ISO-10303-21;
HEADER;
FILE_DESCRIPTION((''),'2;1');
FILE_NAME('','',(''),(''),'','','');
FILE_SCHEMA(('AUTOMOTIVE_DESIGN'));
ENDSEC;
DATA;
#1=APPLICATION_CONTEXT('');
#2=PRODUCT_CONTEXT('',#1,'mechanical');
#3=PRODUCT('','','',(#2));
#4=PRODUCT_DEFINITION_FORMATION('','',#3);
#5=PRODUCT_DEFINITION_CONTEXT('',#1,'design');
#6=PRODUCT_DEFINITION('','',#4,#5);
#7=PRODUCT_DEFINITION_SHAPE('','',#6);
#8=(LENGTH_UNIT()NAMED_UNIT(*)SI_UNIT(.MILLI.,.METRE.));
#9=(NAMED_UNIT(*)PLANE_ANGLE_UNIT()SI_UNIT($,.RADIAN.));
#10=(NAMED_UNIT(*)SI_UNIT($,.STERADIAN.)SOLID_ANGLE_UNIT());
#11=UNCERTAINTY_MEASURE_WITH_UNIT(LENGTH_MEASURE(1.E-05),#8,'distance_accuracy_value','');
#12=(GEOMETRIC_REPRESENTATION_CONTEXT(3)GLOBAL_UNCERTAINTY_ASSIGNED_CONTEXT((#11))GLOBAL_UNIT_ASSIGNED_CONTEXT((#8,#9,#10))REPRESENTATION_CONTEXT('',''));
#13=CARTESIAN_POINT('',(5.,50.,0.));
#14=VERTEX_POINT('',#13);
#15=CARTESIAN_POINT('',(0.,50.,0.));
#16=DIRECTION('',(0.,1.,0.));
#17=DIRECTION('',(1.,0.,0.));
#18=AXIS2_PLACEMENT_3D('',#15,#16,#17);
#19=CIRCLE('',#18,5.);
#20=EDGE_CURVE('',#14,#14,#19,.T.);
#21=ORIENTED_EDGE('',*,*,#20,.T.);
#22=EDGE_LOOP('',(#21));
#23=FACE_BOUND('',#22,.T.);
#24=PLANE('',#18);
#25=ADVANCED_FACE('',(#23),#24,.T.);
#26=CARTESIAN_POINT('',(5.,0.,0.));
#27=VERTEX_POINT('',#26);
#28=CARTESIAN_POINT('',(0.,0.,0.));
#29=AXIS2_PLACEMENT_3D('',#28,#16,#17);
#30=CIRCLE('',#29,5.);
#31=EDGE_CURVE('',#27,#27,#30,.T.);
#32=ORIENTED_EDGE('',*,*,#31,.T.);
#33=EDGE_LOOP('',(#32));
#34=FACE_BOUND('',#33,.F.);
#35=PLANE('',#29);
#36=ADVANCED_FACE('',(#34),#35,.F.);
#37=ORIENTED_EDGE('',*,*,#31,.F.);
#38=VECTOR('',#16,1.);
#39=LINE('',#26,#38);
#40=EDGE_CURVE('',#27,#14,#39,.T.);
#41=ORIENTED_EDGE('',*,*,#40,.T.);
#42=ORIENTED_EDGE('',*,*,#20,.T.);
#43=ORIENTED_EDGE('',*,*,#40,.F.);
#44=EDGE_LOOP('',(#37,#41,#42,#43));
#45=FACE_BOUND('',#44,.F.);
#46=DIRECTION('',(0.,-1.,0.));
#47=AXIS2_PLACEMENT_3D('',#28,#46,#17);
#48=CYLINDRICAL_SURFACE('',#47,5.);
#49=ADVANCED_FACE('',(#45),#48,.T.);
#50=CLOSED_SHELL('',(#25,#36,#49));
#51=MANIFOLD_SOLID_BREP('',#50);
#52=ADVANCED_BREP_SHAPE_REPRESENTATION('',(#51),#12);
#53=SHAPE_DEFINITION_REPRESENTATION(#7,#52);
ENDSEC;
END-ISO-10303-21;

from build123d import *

# Parameters (mm, degrees)
SKETCH_1_R      = 5
EXTRUDE_1_DEPTH = 50


with BuildPart() as part:
    # 草图1 → 凸台-拉伸1 (new body)
    with BuildSketch(Plane(origin=(0, 0, 0), x_dir=(1, 0, 0), z_dir=(0, 1, 0))):
        Circle(SKETCH_1_R)
    extrude(amount=EXTRUDE_1_DEPTH)


solid = part.part
